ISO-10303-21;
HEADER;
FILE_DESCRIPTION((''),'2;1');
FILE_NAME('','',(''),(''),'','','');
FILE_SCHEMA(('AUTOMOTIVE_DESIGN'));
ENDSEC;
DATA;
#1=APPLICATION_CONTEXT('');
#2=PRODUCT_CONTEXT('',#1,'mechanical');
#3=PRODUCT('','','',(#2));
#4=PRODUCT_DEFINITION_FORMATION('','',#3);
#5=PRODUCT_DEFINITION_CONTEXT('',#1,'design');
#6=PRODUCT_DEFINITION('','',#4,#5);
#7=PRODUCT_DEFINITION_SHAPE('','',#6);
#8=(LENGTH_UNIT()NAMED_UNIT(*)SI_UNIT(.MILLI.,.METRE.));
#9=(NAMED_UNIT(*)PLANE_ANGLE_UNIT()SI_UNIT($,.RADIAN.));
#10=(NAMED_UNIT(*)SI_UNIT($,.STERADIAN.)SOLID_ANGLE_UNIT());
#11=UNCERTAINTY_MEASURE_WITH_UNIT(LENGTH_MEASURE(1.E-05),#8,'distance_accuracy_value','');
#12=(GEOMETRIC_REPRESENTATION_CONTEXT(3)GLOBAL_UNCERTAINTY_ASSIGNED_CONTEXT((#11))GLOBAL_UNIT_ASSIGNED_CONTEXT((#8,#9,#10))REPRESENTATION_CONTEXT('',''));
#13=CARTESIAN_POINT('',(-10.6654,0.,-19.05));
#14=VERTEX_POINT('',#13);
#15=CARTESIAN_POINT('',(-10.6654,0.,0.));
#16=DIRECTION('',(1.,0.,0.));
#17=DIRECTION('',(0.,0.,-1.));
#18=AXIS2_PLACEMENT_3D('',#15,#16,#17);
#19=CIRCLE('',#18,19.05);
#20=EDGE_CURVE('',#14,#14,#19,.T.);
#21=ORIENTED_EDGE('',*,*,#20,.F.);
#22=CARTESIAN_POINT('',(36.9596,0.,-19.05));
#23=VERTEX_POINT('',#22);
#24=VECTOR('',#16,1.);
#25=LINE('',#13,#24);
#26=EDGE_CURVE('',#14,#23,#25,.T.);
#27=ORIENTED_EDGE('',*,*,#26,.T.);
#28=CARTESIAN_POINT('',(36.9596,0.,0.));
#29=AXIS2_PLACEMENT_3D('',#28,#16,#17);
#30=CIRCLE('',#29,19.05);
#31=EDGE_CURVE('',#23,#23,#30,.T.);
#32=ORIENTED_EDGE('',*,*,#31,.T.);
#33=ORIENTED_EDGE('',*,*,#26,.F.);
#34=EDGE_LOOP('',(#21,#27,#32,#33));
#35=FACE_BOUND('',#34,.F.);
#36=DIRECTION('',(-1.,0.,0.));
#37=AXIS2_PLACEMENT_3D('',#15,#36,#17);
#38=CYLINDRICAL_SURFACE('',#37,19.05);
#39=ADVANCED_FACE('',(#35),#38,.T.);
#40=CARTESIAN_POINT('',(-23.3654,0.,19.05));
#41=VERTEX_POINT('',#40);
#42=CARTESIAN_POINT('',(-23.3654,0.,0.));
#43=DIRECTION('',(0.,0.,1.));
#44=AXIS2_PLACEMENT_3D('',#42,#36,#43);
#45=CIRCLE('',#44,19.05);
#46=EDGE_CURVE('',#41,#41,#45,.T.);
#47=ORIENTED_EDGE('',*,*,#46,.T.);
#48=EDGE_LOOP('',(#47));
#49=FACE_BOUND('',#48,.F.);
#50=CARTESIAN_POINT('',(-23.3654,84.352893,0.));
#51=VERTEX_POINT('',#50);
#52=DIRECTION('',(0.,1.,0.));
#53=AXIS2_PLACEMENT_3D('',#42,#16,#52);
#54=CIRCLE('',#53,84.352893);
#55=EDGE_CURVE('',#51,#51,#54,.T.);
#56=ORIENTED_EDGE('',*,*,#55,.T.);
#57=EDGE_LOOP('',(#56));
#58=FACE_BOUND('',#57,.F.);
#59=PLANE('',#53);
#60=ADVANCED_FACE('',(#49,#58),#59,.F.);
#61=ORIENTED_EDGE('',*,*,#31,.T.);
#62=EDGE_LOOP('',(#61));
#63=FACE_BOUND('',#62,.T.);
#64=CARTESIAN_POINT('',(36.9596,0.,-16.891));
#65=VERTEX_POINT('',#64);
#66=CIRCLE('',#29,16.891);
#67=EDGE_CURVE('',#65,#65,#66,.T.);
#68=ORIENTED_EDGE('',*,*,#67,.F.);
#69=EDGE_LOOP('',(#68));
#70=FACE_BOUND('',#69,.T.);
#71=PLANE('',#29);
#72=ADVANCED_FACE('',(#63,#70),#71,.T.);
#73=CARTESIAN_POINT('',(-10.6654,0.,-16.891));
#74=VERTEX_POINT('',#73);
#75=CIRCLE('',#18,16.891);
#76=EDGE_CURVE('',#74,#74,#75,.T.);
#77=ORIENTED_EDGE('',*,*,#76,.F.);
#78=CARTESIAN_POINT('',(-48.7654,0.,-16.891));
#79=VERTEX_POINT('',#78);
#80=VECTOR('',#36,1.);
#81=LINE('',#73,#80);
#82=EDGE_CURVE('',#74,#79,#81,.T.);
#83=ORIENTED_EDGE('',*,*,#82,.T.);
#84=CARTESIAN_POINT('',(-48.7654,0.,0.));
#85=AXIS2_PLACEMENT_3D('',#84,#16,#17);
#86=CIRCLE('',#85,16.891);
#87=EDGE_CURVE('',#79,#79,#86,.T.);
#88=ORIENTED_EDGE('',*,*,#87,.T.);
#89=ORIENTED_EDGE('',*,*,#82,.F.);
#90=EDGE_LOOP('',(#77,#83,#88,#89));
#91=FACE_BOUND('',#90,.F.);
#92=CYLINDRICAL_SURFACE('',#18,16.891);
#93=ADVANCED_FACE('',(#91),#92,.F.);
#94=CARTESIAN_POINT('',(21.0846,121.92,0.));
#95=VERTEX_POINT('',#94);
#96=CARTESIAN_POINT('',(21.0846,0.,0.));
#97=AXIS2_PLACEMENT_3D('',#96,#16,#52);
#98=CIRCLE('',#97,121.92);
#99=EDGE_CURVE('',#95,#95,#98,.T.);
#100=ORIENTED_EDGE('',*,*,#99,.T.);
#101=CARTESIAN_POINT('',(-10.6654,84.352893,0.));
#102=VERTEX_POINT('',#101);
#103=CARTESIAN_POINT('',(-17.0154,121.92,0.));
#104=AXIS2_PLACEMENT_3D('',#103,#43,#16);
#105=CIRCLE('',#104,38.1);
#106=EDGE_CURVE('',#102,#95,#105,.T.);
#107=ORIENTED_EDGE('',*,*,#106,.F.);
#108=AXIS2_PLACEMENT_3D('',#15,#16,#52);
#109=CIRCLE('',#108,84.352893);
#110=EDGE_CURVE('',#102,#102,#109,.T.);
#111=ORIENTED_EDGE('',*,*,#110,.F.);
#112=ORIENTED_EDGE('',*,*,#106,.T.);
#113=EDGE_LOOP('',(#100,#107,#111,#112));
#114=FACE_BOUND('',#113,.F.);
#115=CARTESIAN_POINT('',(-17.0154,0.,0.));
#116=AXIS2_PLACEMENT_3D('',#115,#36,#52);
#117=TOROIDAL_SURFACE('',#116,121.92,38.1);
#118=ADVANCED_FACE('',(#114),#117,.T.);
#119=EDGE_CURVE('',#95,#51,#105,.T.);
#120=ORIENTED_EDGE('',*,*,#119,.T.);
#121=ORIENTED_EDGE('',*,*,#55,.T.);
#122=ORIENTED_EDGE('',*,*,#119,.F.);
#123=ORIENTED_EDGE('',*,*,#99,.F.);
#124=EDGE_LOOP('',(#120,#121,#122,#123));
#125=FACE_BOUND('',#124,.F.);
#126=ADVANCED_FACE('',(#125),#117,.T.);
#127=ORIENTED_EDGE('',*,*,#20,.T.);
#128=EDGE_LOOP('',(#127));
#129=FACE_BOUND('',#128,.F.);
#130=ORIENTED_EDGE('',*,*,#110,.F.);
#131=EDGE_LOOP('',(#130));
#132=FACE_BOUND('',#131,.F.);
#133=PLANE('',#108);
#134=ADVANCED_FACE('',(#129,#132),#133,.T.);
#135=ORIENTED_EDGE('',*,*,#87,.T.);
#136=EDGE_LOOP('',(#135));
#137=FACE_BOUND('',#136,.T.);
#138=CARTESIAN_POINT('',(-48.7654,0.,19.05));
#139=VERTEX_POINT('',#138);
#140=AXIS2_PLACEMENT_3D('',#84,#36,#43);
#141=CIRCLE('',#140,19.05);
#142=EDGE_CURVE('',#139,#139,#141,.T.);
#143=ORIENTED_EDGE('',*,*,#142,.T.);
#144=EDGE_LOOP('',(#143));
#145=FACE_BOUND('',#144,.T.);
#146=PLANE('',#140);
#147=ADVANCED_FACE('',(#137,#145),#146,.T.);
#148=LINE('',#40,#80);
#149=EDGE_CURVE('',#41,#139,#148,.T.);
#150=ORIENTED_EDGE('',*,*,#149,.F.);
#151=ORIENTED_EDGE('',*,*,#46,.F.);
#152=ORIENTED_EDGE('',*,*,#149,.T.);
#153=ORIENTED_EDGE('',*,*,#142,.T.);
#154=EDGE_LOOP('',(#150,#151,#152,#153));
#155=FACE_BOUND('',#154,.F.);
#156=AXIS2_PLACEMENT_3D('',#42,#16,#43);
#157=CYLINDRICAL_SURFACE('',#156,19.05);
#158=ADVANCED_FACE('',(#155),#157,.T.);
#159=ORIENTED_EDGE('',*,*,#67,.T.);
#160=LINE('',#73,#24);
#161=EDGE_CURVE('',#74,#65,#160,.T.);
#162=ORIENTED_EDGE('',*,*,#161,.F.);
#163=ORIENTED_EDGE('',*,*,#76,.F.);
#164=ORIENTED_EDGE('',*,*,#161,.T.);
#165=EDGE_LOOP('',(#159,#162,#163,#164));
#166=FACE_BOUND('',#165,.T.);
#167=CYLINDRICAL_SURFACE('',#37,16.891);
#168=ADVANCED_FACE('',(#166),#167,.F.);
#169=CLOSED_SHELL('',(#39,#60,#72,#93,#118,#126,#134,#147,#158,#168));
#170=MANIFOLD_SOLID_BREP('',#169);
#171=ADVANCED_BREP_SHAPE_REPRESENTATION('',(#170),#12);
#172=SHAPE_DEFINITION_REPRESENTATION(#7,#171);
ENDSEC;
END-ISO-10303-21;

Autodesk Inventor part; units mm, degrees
ref_plane "YZ Plane" through (0, 0, 0) normal (1, 0, 0) x (0, 1, 0)
ref_plane "XZ Plane" through (0, 0, 0) normal (0, 1, 0) x (-1, 0, 0)
ref_plane "XY Plane" through (0, 0, 0) normal (0, 0, 1) x (1, 0, 0)
sketch "Sketch1" plane through (0, 0, 0) normal (0, 0, 1) x (1, 0, 0)
  line L0 (-23.3654, 0) -> (-10.6654, 0)
  line L1 (-10.6654, 0) -> (-10.6654, 121.92)
  line L2 (-10.6654, 121.92) -> (-23.3654, 121.92)
  line L3 (-23.3654, 121.92) -> (-23.3654, 0)
  circle A0 centre (-17.0154, 121.92) radius 38.1
  point P0 (0, 0)
  point P1 (-10.6654, 84.3529)
  point P2 (-23.3654, 84.3529)
  point P3 (-17.0154, 88.9)
  point P4 (-17.0154, 88.9)
  dimension "d1" = 76.2
  dimension "d2" = 121.92
  dimension "d4" = 12.7
  dimension "d5" = 6.35
revolve "Revolution5" add sketch "Sketch1" angle 360 about axis through (-23.3654, 0, 0) along (1, 0, 0)
sketch "Sketch3" plane through (-23.3654, 0, 0) normal (-1, 0, 0) x (0, 0, 1)
  circle A0 centre (0, 0) radius 19.05
  dimension "d10" = 38.1
extrude "Extrusion1" add sketch "Sketch3" along normal blind 25.4
sketch "Sketch4" plane through (-48.7654, 0, 0) normal (-1, 0, 0) x (0, 0, 1)
  circle A0 centre (0, 0) radius 11.1125
  dimension "d13" = 22.225
extrude "Extrusion2" cut sketch "Sketch4" against normal blind 25.4
sketch "Sketch5" plane through (-10.6654, 0, 0) normal (1, 0, 0) x (0, 0, -1)
  circle A0 centre (0, 0) radius 19.05
  circle A1 centre (0, 0) radius 16.891
  dimension "d16" = 38.1
  dimension "d17" = 33.782
extrude "Extrusion3" add sketch "Sketch5" along normal blind 47.625
sketch "Sketch6" plane through (-10.6654, 0, 0) normal (1, 0, 0) x (0, 0, -1)
  circle A0 centre (0, 0) radius 11.1125 projected
  circle A1 centre (0, 0) radius 16.891
  point P0 (0, 0)
extrude "Extrusion4" cut sketch "Sketch6" against normal blind 76.2 contours A0 | A1
properties part number "Savior Wheel"
